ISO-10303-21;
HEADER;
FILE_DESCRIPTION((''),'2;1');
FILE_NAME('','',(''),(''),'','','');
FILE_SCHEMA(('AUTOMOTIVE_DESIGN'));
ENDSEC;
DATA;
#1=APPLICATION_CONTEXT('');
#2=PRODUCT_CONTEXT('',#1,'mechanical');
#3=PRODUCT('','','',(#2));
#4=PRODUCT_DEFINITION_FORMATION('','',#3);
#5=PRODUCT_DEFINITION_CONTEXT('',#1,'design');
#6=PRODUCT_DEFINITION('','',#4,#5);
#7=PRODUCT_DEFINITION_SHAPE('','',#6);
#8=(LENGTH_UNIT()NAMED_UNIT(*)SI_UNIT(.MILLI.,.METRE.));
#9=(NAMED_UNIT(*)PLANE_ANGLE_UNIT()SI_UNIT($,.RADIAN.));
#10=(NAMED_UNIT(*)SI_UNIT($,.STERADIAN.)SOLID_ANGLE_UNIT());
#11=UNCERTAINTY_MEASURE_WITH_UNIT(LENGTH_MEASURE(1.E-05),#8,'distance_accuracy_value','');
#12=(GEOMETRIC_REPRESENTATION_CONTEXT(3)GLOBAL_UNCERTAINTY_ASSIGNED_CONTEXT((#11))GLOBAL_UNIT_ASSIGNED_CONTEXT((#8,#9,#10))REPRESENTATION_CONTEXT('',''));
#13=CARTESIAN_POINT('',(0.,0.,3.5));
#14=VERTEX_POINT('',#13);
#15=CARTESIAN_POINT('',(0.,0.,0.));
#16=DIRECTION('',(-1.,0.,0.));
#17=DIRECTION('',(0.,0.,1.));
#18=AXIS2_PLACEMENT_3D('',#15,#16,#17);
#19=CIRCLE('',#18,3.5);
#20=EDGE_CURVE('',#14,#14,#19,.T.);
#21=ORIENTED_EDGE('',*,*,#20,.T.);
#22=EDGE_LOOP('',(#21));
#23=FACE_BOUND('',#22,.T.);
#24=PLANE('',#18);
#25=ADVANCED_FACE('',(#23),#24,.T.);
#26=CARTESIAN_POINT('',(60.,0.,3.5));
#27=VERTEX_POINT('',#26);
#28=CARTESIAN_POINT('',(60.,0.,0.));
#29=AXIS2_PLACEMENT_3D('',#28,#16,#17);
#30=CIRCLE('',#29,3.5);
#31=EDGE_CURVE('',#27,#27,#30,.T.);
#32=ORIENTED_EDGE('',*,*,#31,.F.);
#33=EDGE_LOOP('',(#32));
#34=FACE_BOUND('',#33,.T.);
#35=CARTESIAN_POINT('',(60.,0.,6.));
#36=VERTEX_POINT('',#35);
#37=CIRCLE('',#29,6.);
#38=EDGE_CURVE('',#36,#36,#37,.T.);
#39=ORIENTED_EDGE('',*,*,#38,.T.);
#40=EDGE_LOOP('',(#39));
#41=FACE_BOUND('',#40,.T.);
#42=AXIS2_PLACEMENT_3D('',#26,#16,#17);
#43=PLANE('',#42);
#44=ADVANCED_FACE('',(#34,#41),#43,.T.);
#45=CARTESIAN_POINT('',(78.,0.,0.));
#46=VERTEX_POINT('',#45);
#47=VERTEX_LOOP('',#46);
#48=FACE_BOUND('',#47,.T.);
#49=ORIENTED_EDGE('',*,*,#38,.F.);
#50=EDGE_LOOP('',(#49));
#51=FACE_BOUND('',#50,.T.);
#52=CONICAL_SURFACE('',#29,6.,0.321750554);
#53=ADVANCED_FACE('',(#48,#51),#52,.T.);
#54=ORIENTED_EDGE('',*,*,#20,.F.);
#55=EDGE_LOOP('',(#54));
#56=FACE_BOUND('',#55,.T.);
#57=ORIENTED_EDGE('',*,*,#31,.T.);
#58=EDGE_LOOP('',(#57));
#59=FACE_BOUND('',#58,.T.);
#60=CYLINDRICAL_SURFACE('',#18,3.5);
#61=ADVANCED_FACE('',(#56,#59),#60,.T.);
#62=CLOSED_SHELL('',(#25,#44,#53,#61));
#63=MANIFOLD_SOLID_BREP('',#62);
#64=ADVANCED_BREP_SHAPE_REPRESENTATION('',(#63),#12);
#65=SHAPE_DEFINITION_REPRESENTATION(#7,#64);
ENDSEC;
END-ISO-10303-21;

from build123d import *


with BuildPart() as part:
    # 草图1 → 旋转2 (revolve)
    with BuildSketch(Plane(origin=(0, 0, 0), x_dir=(1, 0, 0), z_dir=(0, 1, 0))):
        Polygon((60, -6), (78, 0), (50, 0), (0, 0), (0, -3.5), (60, -3.5), align=None)
    revolve(axis=Axis((0, 0, 0), (1, 0, 0)))


solid = part.part
